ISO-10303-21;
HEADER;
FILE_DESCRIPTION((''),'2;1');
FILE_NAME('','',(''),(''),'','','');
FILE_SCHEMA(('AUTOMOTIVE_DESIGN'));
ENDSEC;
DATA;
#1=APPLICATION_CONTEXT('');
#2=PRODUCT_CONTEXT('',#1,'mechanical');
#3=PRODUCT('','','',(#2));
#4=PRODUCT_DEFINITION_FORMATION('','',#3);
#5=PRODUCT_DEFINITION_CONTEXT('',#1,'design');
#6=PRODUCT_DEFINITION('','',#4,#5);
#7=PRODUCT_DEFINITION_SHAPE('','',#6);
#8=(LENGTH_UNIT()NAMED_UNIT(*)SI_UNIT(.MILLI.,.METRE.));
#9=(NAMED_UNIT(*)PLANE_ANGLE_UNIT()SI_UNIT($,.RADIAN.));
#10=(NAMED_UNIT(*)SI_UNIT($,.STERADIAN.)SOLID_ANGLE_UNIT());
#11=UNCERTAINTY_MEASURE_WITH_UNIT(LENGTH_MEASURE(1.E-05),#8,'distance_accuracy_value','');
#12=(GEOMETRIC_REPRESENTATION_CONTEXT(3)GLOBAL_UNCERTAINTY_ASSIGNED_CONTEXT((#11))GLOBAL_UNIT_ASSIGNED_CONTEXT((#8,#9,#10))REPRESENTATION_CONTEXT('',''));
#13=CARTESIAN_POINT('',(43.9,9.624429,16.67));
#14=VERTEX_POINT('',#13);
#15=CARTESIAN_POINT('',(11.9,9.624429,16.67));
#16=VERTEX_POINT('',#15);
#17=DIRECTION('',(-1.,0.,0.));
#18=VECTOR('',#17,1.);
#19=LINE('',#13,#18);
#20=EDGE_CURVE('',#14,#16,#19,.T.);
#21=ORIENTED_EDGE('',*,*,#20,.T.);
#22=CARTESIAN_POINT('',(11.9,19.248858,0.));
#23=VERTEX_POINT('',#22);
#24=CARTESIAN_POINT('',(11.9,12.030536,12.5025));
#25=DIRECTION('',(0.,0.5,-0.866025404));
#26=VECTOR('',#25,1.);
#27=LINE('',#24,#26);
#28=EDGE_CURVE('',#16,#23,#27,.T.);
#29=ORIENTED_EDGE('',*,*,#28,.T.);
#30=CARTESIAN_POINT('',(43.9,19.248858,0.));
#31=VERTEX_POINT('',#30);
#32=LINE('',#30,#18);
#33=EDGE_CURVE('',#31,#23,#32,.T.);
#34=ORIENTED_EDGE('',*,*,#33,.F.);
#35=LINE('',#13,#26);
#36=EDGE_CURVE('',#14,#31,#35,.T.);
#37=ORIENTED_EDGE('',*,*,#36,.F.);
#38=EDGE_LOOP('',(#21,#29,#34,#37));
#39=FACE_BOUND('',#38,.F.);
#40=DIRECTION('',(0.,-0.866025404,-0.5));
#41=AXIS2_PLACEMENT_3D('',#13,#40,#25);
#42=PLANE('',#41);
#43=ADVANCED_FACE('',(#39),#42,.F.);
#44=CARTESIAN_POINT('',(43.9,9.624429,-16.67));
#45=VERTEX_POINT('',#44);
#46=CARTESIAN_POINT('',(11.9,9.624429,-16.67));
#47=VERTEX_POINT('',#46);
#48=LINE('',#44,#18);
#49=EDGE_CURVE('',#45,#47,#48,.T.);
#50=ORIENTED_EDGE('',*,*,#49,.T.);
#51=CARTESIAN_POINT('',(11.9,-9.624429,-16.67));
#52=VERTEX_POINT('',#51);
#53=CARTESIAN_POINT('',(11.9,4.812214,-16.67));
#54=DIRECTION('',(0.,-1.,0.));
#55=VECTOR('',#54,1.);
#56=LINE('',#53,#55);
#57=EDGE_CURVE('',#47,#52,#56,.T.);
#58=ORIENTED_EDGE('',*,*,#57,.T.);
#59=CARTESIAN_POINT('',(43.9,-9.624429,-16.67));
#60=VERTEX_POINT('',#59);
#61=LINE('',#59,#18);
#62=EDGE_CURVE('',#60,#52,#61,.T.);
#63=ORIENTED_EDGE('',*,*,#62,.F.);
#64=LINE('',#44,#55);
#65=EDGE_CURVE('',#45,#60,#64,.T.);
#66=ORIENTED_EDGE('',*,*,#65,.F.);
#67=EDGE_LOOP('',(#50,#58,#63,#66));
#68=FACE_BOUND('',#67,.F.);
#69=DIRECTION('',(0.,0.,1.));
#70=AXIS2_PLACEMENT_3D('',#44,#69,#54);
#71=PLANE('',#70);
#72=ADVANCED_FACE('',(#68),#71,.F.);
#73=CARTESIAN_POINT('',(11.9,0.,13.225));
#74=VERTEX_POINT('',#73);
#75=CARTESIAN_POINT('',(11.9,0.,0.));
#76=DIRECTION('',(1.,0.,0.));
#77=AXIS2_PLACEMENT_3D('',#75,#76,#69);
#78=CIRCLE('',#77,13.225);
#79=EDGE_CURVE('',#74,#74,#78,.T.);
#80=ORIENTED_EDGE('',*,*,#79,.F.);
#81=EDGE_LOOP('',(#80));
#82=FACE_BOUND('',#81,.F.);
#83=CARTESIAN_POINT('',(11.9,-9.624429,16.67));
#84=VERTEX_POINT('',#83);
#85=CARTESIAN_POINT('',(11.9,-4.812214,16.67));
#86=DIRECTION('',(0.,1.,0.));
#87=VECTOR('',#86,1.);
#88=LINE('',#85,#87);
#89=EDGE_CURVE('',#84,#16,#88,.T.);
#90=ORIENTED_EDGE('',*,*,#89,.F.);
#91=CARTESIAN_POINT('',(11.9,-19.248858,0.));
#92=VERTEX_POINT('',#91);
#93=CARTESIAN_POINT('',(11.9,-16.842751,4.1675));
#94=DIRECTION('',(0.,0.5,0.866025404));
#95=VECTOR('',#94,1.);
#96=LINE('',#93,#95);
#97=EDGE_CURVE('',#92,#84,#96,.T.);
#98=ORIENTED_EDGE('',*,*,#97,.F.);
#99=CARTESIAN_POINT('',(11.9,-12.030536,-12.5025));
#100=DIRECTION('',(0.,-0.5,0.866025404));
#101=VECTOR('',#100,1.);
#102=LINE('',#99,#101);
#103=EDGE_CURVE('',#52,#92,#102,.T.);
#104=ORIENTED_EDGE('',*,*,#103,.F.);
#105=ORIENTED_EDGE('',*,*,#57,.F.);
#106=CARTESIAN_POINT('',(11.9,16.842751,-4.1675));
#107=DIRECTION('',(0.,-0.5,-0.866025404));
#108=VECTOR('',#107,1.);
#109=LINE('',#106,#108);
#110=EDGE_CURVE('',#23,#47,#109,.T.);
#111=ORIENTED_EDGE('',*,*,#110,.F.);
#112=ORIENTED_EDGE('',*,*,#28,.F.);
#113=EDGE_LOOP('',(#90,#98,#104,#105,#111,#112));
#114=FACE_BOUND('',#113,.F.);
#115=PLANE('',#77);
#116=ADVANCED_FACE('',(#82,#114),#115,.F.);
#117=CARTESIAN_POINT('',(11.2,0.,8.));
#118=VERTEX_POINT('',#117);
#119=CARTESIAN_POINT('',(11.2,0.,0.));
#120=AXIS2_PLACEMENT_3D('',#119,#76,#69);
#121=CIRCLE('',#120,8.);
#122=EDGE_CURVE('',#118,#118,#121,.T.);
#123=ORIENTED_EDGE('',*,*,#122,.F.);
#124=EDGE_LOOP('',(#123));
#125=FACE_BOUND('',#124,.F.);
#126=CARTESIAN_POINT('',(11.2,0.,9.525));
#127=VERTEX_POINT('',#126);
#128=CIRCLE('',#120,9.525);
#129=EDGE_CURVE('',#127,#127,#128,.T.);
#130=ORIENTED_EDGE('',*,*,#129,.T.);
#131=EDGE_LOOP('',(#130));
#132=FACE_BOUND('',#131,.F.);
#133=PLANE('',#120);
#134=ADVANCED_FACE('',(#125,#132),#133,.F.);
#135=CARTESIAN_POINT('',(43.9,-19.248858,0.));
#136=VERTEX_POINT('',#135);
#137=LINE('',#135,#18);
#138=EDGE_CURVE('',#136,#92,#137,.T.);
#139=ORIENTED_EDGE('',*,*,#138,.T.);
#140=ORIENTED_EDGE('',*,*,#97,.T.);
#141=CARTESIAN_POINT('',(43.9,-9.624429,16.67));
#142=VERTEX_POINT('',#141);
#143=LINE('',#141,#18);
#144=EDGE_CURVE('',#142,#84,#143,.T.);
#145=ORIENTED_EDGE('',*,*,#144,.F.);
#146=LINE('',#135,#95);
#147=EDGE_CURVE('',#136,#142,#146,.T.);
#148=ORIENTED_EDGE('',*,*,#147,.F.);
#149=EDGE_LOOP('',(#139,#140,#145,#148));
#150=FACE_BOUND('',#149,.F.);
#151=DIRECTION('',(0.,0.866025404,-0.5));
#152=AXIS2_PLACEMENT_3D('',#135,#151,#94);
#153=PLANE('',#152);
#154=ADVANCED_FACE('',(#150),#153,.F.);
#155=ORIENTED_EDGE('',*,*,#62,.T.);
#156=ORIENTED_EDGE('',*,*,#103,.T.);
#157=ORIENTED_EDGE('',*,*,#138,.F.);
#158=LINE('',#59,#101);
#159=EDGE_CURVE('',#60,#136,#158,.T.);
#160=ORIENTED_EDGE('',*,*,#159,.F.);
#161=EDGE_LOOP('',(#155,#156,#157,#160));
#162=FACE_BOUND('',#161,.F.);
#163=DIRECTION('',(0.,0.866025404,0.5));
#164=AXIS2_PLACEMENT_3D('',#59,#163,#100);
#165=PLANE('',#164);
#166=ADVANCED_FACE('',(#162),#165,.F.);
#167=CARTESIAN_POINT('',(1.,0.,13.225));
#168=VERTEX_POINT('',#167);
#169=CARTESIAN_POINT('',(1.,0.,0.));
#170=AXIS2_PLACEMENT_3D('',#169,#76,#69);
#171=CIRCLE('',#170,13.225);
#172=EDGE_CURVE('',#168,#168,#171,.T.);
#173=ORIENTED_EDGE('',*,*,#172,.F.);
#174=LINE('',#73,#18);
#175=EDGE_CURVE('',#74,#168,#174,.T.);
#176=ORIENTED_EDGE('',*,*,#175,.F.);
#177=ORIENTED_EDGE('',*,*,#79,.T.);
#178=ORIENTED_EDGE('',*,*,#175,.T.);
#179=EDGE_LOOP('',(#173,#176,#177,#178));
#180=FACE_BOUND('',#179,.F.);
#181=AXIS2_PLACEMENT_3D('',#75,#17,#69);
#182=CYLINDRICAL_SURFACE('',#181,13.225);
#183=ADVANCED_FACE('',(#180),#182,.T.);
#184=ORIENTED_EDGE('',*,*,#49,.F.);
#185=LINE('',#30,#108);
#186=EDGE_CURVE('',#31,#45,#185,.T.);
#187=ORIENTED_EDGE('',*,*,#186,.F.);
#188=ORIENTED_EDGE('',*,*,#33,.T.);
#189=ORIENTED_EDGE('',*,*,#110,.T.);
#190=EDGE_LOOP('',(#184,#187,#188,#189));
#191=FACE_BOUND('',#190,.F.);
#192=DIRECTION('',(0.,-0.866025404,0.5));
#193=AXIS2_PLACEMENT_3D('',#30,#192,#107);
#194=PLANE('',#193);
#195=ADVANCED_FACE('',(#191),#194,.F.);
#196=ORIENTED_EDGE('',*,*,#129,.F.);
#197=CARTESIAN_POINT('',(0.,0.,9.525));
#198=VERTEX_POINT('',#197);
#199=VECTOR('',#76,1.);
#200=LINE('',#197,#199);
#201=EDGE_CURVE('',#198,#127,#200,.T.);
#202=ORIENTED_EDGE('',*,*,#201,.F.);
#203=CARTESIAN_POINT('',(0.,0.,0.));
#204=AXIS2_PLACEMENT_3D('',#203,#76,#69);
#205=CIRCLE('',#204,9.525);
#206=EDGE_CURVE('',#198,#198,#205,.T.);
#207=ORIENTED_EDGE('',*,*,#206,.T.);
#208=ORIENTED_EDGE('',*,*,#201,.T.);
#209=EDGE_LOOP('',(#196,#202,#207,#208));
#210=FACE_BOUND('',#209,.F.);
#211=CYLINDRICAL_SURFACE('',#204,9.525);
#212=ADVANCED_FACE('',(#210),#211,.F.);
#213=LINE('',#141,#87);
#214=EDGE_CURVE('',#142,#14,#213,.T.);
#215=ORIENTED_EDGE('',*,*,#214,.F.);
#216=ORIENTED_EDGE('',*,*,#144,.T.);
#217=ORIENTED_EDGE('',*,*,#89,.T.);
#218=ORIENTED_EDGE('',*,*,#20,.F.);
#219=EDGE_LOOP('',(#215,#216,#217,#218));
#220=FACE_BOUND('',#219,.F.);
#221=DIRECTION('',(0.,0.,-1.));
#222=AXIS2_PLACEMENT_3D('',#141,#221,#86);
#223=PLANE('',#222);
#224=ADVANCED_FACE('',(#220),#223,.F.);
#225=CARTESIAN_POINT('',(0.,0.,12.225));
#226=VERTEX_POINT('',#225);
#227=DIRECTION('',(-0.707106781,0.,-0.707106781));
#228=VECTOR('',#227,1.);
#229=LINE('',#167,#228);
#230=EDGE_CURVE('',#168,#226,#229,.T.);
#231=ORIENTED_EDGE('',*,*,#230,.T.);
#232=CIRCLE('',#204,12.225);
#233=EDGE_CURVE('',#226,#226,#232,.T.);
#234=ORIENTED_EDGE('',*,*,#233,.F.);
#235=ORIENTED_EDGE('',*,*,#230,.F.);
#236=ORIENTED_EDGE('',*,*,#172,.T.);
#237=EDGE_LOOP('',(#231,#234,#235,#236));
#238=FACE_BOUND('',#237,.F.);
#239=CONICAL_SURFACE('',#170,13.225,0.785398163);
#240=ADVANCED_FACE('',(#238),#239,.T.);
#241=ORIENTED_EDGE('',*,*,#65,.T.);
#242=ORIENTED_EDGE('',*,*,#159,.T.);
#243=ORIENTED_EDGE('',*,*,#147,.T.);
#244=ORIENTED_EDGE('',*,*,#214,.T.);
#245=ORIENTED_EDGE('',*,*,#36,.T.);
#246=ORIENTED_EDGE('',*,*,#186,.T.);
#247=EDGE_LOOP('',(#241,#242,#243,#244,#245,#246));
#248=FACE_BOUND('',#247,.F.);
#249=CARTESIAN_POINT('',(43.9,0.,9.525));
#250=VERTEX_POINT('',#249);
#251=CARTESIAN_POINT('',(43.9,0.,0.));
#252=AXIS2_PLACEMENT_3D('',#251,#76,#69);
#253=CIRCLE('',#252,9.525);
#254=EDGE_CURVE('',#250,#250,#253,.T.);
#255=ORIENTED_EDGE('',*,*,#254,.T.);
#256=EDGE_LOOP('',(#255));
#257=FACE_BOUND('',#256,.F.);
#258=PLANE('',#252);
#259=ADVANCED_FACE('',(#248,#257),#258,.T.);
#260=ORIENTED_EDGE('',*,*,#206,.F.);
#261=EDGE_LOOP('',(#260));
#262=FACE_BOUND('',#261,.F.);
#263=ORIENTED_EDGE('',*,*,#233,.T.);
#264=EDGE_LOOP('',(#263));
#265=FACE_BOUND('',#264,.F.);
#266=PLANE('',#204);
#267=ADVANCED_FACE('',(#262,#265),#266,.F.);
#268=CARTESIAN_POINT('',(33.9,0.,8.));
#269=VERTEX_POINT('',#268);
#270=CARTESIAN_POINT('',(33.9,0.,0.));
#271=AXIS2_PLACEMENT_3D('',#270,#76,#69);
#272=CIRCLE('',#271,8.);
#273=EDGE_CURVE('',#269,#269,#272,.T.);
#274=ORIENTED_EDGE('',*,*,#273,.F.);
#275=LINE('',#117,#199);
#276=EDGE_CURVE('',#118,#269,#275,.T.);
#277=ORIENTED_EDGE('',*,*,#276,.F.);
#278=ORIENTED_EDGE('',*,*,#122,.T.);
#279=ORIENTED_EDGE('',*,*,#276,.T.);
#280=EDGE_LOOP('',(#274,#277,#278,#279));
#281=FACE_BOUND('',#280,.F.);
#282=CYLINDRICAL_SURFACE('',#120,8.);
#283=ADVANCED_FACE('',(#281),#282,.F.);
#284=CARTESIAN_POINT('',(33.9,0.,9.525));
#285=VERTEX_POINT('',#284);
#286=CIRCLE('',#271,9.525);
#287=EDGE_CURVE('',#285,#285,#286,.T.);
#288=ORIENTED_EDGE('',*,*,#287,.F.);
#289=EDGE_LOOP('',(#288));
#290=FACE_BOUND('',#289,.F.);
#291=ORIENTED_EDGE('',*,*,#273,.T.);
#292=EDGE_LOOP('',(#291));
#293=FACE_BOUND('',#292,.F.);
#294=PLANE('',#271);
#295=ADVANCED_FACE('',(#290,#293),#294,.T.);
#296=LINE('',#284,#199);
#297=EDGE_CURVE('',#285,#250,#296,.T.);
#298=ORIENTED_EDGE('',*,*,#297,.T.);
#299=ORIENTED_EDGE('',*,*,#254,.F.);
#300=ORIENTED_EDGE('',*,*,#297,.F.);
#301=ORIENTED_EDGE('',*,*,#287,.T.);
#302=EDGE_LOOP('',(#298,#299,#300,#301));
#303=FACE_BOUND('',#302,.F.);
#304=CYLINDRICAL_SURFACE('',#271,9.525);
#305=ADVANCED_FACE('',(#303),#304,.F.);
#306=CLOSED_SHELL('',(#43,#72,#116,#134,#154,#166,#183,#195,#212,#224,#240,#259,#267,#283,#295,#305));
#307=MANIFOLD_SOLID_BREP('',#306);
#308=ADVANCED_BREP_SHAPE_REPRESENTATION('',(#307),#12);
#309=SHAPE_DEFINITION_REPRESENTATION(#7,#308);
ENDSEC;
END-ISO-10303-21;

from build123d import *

# Parameters (mm, degrees)
F2_R     = 20
F3_DEPTH = 43.901
F4_SIZE  = 1


with BuildPart() as f1:
    # F0 (on Front) → F1 (revolve)
    with BuildSketch(Plane.XZ):
        Polygon((33.9, 9.525), (43.9, 9.525), (43.9, 20), (11.9, 20), (11.9, 13.225), (0, 13.225), (0, 9.525), (11.2, 9.525), (11.2, 8), (33.9, 8), align=None)
    revolve(axis=Axis((21.95, 0, 0), (1, 0, 0)))

    # F2 (on face) → F3 (cut, through all)
    with BuildSketch(Plane.YZ.offset(43.9)):
        Circle(F2_R)
        Polygon((-9.624429, 16.67), (9.624429, 16.67), (19.248858, 0), (9.624429, -16.67), (-9.624429, -16.67), (-19.248858, 0), align=None, mode=Mode.SUBTRACT)
    extrude(amount=-F3_DEPTH, mode=Mode.SUBTRACT)

    # F4
    f4_edges = [f1.edges().sort_by_distance(p)[0] for p in [
        (0, 0, -13.225),
    ]]
    chamfer(f4_edges, length=F4_SIZE)


solid = f1.part
